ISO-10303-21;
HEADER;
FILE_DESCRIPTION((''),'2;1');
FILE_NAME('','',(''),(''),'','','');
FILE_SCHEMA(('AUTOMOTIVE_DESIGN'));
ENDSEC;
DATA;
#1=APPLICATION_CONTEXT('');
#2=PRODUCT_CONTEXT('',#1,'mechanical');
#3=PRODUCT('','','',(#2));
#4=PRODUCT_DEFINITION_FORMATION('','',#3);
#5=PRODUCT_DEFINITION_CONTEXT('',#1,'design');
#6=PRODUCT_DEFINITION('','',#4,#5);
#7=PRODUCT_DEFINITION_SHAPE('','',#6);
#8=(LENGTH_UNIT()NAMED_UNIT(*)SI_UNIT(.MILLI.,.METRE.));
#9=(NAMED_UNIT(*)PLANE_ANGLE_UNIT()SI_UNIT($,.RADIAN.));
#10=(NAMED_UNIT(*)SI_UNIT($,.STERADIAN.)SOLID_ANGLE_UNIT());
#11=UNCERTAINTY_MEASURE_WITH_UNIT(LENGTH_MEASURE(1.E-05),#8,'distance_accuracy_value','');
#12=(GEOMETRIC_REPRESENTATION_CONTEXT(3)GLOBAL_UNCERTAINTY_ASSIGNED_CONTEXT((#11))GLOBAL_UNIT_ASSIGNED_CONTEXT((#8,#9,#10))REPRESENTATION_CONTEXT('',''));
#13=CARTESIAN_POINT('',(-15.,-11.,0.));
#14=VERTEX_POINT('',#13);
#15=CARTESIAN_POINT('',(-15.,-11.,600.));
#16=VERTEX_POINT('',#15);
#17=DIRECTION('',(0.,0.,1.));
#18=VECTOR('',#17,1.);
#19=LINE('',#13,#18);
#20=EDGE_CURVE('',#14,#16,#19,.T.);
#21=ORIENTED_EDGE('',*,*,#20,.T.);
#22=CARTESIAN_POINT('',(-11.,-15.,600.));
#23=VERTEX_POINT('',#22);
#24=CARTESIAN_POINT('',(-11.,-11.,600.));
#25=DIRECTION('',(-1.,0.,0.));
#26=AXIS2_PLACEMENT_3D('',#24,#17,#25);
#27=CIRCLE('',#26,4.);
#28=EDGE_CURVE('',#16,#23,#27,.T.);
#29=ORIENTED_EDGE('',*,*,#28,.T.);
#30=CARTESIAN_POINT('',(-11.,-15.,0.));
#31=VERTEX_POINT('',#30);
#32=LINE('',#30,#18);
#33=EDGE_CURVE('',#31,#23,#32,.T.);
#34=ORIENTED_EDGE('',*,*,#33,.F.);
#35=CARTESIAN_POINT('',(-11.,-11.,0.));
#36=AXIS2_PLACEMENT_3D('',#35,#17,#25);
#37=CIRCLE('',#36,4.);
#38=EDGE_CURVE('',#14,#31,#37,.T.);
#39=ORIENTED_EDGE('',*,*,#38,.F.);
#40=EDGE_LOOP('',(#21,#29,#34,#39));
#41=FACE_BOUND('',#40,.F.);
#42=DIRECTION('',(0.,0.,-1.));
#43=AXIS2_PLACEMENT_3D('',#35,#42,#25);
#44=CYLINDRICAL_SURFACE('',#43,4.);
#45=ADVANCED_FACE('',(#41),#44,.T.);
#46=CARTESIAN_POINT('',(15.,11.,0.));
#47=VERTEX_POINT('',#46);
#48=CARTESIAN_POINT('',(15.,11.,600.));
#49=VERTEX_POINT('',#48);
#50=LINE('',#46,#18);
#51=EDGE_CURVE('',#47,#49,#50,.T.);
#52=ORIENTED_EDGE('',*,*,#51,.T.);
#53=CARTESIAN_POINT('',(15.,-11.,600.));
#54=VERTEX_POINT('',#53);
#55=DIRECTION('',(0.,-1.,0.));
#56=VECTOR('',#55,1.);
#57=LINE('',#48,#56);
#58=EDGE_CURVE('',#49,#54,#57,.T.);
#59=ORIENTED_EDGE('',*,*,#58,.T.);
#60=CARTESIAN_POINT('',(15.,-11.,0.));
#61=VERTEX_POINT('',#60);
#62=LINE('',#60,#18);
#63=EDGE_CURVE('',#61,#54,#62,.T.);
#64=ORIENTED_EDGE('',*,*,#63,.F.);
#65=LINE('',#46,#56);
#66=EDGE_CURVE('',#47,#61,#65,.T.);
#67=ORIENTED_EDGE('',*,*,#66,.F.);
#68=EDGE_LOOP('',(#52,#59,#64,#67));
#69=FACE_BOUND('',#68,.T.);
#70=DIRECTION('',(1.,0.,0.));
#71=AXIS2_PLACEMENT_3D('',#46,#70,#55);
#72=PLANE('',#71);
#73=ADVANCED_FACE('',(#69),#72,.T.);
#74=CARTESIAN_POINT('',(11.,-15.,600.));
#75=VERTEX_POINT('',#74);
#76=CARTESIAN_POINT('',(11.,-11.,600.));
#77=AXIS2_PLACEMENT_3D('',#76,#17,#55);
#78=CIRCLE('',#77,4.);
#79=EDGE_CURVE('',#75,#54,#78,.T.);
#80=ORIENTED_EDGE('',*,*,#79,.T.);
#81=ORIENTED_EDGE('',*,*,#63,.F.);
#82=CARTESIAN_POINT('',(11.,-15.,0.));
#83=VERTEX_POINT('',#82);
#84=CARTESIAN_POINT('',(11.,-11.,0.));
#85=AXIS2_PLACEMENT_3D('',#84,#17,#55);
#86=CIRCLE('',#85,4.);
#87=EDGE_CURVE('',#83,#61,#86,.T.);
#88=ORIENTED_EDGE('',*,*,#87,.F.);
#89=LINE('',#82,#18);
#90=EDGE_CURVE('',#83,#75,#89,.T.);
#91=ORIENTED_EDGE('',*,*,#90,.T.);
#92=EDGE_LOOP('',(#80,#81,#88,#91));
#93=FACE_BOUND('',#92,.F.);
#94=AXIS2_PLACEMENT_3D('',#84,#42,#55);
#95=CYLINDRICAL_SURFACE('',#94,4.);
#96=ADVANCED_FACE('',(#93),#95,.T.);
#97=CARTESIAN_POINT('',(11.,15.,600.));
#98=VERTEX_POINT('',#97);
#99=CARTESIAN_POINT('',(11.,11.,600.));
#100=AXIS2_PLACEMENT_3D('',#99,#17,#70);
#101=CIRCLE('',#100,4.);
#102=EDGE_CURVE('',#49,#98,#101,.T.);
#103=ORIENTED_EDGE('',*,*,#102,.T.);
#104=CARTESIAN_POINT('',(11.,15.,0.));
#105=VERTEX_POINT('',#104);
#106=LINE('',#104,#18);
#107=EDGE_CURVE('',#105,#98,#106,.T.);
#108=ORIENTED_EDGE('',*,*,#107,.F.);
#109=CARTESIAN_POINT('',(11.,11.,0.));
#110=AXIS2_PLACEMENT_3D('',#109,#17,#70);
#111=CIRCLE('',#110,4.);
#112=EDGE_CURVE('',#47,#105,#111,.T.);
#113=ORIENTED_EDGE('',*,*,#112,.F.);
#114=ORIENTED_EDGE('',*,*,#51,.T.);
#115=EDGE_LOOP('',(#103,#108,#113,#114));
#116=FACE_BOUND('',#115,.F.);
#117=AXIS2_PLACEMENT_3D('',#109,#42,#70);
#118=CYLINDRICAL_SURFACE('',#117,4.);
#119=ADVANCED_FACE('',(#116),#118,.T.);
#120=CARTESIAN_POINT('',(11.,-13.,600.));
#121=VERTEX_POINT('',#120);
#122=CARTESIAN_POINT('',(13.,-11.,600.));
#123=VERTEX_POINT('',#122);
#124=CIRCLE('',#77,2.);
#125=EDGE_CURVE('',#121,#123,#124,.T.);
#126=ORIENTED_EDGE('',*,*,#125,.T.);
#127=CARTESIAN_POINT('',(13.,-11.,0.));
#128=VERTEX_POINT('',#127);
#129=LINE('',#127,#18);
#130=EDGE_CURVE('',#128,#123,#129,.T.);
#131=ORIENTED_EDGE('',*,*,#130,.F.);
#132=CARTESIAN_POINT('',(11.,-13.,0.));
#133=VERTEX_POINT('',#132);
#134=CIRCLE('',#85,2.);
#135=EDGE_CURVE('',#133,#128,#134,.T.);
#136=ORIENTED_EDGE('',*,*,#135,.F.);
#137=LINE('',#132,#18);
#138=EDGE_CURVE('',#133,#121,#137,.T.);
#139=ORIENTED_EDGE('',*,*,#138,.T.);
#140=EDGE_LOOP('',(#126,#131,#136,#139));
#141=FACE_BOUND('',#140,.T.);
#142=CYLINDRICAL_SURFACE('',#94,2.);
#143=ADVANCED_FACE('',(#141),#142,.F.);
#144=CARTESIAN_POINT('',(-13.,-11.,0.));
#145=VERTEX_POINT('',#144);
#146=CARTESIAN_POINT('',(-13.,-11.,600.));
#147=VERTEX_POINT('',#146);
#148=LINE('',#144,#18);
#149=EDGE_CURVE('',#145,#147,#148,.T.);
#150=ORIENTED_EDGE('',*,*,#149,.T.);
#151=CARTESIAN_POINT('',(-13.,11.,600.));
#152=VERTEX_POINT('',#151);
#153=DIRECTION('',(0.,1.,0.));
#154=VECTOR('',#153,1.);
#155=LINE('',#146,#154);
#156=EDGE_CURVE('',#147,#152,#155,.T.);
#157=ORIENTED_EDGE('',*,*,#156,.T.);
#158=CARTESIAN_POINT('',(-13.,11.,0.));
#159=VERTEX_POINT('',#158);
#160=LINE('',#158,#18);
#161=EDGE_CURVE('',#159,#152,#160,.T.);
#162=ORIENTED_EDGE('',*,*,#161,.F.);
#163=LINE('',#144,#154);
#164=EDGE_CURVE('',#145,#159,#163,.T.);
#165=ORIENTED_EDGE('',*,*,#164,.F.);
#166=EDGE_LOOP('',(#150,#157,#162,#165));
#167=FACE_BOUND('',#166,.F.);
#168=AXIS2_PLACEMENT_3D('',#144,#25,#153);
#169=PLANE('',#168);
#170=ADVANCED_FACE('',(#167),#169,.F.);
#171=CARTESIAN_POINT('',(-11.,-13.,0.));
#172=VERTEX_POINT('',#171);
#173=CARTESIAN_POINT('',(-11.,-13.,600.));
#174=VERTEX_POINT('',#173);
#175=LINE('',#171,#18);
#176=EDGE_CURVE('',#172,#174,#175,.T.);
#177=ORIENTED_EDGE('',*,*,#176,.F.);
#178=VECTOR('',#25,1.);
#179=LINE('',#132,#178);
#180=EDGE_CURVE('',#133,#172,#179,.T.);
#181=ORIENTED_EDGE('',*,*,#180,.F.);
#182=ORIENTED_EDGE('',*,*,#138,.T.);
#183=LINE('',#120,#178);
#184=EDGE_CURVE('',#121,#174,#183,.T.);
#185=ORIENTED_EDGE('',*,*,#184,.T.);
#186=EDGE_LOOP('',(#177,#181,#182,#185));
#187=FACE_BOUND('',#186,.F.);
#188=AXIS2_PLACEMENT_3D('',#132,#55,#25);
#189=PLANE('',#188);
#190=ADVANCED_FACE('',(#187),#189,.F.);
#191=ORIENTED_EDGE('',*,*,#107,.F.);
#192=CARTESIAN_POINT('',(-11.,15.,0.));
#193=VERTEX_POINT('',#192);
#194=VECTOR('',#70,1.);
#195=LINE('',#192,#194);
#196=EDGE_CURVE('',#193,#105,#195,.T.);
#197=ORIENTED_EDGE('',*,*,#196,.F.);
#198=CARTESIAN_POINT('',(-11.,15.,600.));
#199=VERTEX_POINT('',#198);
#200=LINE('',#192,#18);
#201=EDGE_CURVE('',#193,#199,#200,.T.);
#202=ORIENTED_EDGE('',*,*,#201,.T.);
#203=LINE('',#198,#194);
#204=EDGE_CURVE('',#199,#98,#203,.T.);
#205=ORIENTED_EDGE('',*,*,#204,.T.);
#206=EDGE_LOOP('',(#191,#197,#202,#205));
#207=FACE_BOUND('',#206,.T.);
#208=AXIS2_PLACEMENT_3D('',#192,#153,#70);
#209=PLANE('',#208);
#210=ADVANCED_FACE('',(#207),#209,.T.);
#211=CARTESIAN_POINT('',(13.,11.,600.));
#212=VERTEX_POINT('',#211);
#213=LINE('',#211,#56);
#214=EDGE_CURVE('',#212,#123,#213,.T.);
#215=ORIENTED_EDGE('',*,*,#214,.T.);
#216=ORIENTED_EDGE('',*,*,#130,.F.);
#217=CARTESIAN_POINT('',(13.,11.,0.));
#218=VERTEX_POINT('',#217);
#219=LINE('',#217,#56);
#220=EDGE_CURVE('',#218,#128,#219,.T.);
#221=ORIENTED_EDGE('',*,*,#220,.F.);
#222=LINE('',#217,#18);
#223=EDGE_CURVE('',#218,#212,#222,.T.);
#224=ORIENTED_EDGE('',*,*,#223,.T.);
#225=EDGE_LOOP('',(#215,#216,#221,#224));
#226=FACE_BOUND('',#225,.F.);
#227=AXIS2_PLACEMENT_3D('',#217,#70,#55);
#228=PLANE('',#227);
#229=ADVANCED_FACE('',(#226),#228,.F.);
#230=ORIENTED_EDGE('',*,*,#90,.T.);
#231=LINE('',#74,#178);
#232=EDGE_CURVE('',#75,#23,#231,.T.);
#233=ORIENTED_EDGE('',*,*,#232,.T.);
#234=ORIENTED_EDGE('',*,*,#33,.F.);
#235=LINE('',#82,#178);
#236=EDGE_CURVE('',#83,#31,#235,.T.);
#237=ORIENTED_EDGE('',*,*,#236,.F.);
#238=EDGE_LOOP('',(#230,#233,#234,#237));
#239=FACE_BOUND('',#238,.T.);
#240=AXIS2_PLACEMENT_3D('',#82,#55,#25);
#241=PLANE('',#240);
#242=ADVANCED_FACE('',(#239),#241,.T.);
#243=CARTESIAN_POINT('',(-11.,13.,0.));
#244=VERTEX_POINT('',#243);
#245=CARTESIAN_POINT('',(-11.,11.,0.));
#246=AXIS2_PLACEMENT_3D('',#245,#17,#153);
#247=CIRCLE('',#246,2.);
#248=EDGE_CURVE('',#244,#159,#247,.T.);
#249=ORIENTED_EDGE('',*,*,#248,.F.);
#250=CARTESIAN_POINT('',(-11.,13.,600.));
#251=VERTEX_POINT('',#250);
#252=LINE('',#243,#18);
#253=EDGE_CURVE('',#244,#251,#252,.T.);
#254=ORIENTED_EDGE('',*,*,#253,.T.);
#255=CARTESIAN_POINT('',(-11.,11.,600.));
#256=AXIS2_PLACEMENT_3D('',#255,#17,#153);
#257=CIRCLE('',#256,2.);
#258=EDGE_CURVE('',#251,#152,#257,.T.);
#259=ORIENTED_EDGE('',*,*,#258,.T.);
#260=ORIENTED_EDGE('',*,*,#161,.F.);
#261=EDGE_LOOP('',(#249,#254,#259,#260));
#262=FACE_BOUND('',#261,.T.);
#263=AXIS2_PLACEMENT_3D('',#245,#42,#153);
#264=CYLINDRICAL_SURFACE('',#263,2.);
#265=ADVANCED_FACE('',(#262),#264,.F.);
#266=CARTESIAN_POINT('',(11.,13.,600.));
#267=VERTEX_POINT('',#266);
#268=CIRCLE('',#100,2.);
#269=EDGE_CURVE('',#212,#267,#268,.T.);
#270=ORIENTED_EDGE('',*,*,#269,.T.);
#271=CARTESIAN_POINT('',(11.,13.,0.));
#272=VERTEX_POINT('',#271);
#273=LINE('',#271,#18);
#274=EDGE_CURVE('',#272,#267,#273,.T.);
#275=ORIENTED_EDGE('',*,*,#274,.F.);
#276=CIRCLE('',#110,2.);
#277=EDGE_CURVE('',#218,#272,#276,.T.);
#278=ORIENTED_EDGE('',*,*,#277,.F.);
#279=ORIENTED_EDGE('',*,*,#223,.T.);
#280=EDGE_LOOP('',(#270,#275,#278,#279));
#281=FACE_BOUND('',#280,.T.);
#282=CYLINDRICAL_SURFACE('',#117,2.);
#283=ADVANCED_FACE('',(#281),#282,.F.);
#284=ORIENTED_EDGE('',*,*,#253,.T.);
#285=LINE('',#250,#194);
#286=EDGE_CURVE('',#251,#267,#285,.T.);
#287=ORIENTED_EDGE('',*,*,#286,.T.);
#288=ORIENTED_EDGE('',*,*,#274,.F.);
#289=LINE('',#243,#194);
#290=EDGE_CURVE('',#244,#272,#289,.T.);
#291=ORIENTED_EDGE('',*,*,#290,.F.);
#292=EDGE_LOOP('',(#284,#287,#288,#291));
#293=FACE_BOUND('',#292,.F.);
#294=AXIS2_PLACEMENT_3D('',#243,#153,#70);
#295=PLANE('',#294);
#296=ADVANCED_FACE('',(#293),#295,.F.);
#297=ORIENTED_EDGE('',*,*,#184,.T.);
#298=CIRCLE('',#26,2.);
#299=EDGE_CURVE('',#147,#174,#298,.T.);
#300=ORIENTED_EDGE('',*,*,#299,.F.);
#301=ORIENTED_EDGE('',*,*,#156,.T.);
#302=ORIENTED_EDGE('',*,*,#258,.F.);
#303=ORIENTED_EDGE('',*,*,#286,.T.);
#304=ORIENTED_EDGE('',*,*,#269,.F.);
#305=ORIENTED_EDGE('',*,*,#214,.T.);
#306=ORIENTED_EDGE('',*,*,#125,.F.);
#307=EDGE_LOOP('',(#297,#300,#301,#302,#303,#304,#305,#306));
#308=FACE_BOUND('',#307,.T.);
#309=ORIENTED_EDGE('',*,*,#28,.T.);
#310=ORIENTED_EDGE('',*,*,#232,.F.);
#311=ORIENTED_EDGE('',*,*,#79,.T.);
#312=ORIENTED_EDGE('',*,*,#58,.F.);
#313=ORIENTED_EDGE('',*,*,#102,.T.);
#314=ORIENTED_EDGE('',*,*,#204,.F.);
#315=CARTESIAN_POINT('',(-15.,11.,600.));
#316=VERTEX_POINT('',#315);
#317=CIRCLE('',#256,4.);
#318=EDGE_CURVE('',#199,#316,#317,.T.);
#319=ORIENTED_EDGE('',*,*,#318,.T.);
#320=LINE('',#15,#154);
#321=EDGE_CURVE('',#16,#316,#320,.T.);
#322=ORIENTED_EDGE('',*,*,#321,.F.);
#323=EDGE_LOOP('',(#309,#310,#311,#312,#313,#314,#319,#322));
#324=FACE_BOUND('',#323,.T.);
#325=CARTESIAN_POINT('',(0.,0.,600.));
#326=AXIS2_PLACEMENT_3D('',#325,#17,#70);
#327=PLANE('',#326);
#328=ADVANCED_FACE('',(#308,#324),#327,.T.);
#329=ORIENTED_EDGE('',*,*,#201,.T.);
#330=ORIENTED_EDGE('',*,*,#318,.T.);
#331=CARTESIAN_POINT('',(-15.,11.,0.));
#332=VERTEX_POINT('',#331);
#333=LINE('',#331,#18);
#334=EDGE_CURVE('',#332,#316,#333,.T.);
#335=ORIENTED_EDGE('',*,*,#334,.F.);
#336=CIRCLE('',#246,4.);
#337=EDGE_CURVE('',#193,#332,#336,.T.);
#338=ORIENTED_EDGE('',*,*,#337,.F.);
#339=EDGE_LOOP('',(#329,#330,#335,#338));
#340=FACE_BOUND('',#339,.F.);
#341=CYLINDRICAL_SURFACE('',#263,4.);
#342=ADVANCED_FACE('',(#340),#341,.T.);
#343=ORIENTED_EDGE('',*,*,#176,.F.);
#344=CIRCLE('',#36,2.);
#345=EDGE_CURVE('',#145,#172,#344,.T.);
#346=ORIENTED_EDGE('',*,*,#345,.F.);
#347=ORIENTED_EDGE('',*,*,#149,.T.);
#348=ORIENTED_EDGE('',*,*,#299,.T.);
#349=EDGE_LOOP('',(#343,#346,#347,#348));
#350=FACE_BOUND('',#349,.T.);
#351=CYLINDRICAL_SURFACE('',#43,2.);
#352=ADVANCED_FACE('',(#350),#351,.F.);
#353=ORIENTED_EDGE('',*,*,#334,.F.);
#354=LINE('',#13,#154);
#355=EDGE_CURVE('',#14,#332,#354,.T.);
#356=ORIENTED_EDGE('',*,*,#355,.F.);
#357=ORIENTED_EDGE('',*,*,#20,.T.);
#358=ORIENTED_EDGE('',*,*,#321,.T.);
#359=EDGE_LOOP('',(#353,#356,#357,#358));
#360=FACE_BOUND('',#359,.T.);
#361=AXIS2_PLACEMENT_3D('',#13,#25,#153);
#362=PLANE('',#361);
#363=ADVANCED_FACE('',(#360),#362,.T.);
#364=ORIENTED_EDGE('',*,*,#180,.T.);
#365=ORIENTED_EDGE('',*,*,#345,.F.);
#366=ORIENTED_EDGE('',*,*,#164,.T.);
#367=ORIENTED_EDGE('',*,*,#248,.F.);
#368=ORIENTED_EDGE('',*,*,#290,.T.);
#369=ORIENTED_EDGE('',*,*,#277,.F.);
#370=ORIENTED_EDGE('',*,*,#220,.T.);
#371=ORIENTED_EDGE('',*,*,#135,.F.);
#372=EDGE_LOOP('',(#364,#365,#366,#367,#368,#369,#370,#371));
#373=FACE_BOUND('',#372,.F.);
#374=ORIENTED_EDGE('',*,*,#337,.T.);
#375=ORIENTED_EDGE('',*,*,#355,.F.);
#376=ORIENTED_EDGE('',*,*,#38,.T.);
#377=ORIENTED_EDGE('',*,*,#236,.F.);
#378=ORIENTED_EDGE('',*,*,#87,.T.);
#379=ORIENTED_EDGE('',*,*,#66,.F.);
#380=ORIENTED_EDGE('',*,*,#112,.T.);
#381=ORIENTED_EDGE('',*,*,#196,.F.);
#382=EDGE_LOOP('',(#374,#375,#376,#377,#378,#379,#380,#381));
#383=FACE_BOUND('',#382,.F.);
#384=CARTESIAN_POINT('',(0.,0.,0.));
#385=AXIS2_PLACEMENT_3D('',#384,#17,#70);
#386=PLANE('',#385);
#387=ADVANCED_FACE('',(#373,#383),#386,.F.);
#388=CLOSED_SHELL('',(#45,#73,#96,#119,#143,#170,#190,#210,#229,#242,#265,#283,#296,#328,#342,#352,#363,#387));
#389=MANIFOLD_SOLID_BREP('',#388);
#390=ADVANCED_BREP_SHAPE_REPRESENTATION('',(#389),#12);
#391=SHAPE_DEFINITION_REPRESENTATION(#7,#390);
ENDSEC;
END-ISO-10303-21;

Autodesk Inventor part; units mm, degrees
ref_plane "YZ Plane" through (0, 0, 0) normal (1, 0, 0) x (0, 1, 0)
ref_plane "Plano inicial" through (0, 0, 0) normal (0, 0, 1) x (1, 0, 0)
ref_plane "Plano final" through (0, 0, 600) normal (0, 0, 1) x (1, 0, 0)
sketch "Esboço" plane through (0, 0, 0) normal (0, 0, 1) x (1, 0, 0)
  line L0 (-15, -11) -> (-15, 11)
  line L1 (-11, 15) -> (11, 15)
  line L2 (15, 11) -> (15, -11)
  line L3 (11, -15) -> (-11, -15)
  arc A0 (-15, -11) -> (-11, -15) centre (-11, -11) ccw
  arc A1 (15, 11) -> (11, 15) centre (11, 11) ccw
  arc A2 (-11, 15) -> (-15, 11) centre (-11, 11) ccw
  arc A3 (11, -15) -> (15, -11) centre (11, -11) ccw
  arc A4 (-11, 13) -> (-13, 11) centre (-11, 11) ccw
  line L4 (-11, 13) -> (11, 13)
  arc A5 (13, 11) -> (11, 13) centre (11, 11) ccw
  line L5 (13, 11) -> (13, -11)
  arc A6 (11, -13) -> (13, -11) centre (11, -11) ccw
  line L6 (11, -13) -> (-11, -13)
  arc A7 (-13, -11) -> (-11, -13) centre (-11, -11) ccw
  line L7 (-13, -11) -> (-13, 11)
  line L8 (0, 22.1598) -> (0, -22.1598) construction
  line L9 (-22.1598, 0) -> (22.1598, 0) construction
  dimension "d7" = 4
  dimension "d9" = 30
  dimension "d11" = 30
  dimension "d12" = 2
  dimension "d15" = 15
  dimension "d16" = 15
extrude "Corpo" add sketch "Esboço" along normal up to surface (600 mm away) from surface at 0
sketch "Sketch3" plane through (0, 0, 0) normal (0, 0, 1) x (1, 0, 0)
  line L0 (0, 0) -> (10, 0)
ref_plane "Work Plane3" through (0, 0, 0) normal (0, -1, 0) x (1, 0, 0)
sketch "Sketch4" plane through (0, 0, 0) normal (0, -1, 0) x (1, 0, 0)
  line L0 (-2, 0) -> (12, 0)
  line L1 (-2, 600) -> (12, 600)
  dimension "d18" = 600
equation "\"d7\" = G_IR"
equation "\"d9\" = G_W"
equation "\"d11\" = G_H"
equation "\"d12\" = G_T"
equation "\"d15\" = 0.5 * d9"
equation "\"d16\" = 0.5 * d11"
equation "\"d3\" = G_L"
equation "\"G_W\" = 30"
equation "\"G_H\" = 30"
equation "\"G_T\" = 2"
equation "\"G_IR\" = 4"
equation "\"G_L\" = d18"
equation "\"G_OFFSET_START\" = 0"
equation "\"G_OFFSET_END\" = 0"
properties part number "ISO 10799-2 - 30x30x2 - 600" material "Aço, suave"
